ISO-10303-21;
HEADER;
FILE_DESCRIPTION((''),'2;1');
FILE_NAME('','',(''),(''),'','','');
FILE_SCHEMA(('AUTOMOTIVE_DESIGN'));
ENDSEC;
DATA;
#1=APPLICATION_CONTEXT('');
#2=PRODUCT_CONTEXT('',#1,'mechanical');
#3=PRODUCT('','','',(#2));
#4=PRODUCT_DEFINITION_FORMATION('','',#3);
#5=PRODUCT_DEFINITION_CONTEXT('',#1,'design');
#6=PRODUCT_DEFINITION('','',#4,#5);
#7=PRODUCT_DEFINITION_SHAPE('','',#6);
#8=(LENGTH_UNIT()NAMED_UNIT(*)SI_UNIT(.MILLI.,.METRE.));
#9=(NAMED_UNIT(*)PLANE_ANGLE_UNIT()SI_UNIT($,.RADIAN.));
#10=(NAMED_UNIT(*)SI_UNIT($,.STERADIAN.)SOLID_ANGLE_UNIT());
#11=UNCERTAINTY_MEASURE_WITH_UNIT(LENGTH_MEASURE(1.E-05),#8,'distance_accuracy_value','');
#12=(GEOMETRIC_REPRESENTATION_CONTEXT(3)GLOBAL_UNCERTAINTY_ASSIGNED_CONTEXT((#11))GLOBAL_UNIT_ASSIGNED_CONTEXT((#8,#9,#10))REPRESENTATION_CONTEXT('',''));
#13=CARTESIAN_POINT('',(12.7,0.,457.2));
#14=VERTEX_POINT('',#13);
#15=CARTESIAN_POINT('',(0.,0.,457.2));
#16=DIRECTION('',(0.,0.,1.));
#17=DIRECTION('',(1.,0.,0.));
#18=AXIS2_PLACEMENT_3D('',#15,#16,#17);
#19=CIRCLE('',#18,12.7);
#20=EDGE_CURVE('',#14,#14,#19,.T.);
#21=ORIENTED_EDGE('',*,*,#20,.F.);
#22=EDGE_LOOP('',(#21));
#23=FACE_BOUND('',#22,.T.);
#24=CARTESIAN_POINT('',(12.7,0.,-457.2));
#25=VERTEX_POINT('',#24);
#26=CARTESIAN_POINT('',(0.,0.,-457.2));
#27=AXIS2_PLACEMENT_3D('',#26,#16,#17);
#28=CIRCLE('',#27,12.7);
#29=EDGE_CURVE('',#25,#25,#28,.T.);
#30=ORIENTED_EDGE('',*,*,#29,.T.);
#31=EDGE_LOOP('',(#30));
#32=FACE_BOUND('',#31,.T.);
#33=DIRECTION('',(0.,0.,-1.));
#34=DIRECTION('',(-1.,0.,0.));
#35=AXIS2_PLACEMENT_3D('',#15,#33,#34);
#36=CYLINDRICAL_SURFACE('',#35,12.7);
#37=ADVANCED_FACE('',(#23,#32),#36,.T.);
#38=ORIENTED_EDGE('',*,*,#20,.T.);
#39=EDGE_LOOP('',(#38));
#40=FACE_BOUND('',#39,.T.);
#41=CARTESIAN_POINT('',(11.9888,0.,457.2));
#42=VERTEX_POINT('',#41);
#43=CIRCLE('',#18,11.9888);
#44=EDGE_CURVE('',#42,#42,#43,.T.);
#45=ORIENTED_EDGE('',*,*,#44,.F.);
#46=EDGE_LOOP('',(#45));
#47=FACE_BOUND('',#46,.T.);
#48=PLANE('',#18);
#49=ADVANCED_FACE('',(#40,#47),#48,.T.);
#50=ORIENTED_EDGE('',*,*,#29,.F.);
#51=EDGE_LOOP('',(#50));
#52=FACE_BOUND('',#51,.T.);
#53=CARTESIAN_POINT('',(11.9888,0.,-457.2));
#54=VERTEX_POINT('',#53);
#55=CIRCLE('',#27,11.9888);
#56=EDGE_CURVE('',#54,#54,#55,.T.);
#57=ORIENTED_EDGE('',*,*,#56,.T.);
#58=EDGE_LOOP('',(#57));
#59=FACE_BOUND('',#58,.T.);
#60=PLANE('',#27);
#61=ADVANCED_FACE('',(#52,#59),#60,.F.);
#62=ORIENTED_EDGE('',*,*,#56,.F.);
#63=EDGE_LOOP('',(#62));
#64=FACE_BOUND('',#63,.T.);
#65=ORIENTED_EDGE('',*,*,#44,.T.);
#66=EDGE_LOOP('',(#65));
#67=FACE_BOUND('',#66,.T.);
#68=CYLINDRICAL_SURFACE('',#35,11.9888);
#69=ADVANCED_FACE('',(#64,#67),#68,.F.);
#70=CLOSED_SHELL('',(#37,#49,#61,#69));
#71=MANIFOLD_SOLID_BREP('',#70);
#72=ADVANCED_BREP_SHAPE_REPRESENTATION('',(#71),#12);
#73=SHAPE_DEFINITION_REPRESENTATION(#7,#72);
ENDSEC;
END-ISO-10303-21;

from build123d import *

# Parameters (mm, degrees)
SKETCH2_R           = 12.7
SKETCH2_R_2         = 11.9888
BOSS_EXTRUDE1_DEPTH = 457.2


with BuildPart() as part:
    # Sketch2 → Boss-Extrude1 (new, symmetric)
    with BuildSketch(Plane.XY):
        Circle(SKETCH2_R)
        Circle(SKETCH2_R_2, mode=Mode.SUBTRACT)
    extrude(amount=BOSS_EXTRUDE1_DEPTH, both=True)


solid = part.part
